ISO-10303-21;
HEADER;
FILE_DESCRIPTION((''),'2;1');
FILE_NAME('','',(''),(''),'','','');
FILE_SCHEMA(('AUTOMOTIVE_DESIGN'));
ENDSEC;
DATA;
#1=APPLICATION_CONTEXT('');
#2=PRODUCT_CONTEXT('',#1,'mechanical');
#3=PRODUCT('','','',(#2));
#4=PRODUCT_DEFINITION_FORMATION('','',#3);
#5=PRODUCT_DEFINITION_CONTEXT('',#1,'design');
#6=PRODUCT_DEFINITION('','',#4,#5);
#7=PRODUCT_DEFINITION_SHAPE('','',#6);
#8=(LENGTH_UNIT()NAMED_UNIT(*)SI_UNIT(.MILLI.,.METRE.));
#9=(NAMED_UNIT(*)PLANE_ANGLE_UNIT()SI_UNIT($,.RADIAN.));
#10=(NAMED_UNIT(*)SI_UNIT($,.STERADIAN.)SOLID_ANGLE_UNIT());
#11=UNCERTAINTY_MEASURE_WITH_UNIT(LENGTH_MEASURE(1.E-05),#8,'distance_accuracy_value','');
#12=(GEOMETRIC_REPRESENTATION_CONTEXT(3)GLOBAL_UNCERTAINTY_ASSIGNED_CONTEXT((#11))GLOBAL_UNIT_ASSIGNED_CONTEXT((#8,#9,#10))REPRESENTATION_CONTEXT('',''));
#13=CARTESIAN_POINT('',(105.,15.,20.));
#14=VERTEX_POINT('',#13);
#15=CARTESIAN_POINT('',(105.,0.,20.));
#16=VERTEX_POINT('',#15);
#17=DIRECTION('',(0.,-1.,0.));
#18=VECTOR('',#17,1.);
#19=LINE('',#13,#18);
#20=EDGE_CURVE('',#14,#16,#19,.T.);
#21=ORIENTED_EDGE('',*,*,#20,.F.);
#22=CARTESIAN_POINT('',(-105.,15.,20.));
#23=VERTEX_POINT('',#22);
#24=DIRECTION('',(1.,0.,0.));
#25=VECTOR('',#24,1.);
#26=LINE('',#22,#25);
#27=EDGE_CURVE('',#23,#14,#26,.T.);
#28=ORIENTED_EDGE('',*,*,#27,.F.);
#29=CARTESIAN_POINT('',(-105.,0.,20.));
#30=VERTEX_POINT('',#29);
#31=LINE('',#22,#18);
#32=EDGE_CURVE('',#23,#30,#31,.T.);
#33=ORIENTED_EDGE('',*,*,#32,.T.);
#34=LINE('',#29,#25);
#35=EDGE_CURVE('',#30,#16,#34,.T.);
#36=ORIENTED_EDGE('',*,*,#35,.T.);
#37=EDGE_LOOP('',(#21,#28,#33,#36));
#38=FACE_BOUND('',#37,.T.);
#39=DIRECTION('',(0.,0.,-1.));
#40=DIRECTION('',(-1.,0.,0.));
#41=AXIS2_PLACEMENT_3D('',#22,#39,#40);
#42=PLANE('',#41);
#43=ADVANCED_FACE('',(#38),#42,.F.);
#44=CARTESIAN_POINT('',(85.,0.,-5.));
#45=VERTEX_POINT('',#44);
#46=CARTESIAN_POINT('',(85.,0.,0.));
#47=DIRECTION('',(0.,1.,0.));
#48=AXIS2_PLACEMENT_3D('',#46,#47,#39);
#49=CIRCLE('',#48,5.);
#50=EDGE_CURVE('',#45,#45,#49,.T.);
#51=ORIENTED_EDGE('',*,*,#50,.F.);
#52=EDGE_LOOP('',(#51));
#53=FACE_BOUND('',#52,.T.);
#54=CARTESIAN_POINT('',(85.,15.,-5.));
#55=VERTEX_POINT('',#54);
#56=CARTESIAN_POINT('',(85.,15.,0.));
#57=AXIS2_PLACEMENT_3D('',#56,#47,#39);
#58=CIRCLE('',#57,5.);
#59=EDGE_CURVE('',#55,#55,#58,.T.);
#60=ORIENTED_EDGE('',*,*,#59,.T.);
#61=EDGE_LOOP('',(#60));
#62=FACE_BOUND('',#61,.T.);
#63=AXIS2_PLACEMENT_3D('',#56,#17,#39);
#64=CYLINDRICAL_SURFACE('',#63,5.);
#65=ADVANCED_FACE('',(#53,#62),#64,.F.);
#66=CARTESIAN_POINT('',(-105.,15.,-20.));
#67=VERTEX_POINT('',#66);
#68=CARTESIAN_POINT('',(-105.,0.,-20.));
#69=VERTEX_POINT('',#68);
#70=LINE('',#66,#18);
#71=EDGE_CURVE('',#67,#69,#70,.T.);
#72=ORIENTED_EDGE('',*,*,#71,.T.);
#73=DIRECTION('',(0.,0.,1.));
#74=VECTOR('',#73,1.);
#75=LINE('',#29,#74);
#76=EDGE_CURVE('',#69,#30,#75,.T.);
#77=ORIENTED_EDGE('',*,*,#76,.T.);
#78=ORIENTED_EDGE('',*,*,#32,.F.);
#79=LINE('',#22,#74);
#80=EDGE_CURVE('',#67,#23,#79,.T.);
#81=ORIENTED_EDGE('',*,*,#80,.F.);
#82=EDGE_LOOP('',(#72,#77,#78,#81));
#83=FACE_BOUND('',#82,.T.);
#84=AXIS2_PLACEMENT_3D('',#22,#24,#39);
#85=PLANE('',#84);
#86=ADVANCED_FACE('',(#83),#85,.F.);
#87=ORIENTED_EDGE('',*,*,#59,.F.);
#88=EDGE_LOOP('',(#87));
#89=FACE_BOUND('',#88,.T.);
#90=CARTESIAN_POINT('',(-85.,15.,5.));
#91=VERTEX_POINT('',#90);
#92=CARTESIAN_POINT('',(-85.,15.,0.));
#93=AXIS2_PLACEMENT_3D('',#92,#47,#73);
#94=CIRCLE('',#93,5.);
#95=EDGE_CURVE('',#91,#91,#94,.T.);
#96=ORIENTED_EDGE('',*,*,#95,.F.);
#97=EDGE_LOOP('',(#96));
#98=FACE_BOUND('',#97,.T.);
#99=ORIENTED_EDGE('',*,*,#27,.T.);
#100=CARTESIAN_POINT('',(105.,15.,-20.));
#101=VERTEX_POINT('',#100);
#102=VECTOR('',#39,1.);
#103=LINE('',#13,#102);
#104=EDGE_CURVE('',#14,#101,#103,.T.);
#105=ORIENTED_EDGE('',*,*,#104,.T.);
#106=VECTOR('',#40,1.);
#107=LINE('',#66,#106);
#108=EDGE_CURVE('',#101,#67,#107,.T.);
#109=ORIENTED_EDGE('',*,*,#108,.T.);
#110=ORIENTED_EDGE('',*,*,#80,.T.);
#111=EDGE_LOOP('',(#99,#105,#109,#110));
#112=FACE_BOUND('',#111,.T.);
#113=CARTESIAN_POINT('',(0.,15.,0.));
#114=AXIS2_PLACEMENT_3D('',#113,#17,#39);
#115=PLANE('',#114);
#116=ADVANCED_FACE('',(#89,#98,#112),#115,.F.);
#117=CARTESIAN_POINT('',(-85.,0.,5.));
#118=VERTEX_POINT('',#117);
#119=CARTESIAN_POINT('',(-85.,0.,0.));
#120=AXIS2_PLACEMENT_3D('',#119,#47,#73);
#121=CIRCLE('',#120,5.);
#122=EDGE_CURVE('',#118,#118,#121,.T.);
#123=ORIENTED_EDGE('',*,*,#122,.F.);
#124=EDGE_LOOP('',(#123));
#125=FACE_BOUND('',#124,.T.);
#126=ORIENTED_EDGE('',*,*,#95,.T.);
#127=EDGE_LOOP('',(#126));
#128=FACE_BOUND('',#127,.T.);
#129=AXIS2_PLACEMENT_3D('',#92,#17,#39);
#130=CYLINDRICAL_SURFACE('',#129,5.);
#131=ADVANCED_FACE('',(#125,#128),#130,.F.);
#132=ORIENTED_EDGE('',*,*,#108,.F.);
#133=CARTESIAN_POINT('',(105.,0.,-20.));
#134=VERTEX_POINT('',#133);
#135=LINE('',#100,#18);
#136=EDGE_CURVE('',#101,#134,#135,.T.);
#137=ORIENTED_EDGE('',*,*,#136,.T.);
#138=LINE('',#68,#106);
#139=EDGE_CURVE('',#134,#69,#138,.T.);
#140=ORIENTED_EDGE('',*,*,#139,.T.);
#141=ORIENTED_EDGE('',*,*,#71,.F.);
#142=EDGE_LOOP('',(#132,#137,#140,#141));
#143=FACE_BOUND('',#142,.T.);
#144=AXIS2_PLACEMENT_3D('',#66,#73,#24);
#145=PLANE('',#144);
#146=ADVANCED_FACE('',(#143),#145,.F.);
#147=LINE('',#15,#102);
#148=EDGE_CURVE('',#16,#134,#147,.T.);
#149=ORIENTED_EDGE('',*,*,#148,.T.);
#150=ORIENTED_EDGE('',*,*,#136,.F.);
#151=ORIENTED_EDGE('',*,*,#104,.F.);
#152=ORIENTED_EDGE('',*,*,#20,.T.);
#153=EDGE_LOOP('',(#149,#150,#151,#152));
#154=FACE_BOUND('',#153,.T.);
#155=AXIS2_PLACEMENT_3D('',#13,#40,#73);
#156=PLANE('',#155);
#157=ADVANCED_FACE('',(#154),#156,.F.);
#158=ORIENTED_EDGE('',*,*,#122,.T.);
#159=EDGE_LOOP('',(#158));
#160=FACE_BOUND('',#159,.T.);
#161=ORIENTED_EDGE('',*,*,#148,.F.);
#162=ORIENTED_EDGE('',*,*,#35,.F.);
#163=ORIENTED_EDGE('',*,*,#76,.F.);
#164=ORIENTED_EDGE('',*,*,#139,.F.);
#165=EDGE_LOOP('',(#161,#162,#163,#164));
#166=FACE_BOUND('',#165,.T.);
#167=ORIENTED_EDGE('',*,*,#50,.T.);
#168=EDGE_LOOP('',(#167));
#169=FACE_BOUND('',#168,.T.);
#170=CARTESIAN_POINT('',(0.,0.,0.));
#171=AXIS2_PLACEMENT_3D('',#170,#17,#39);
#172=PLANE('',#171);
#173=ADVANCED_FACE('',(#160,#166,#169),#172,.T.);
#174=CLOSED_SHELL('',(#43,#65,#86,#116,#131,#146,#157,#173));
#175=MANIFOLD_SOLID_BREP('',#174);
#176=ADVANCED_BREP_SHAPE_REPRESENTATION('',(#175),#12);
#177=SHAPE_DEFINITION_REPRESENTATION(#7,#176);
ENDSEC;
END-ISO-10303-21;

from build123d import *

# Parameters (mm, degrees)
SKETCH1_W           = 210
SKETCH1_H           = 40
SKETCH1_R           = 5
BOSS_EXTRUDE1_DEPTH = 15


with BuildPart() as part:
    # Sketch1 → Boss-Extrude1 (new body)
    with BuildSketch(Plane(origin=(0, 0, 0), x_dir=(1, 0, 0), z_dir=(0, 1, 0))):
        Rectangle(SKETCH1_W, SKETCH1_H)
        with Locations(Location((-85, 0, 0), (0, 0, 270))):
            Circle(SKETCH1_R, mode=Mode.SUBTRACT)
        with Locations(Location((85, 0, 0), (0, 0, 90))):
            Circle(SKETCH1_R, mode=Mode.SUBTRACT)
    extrude(amount=BOSS_EXTRUDE1_DEPTH)


solid = part.part
